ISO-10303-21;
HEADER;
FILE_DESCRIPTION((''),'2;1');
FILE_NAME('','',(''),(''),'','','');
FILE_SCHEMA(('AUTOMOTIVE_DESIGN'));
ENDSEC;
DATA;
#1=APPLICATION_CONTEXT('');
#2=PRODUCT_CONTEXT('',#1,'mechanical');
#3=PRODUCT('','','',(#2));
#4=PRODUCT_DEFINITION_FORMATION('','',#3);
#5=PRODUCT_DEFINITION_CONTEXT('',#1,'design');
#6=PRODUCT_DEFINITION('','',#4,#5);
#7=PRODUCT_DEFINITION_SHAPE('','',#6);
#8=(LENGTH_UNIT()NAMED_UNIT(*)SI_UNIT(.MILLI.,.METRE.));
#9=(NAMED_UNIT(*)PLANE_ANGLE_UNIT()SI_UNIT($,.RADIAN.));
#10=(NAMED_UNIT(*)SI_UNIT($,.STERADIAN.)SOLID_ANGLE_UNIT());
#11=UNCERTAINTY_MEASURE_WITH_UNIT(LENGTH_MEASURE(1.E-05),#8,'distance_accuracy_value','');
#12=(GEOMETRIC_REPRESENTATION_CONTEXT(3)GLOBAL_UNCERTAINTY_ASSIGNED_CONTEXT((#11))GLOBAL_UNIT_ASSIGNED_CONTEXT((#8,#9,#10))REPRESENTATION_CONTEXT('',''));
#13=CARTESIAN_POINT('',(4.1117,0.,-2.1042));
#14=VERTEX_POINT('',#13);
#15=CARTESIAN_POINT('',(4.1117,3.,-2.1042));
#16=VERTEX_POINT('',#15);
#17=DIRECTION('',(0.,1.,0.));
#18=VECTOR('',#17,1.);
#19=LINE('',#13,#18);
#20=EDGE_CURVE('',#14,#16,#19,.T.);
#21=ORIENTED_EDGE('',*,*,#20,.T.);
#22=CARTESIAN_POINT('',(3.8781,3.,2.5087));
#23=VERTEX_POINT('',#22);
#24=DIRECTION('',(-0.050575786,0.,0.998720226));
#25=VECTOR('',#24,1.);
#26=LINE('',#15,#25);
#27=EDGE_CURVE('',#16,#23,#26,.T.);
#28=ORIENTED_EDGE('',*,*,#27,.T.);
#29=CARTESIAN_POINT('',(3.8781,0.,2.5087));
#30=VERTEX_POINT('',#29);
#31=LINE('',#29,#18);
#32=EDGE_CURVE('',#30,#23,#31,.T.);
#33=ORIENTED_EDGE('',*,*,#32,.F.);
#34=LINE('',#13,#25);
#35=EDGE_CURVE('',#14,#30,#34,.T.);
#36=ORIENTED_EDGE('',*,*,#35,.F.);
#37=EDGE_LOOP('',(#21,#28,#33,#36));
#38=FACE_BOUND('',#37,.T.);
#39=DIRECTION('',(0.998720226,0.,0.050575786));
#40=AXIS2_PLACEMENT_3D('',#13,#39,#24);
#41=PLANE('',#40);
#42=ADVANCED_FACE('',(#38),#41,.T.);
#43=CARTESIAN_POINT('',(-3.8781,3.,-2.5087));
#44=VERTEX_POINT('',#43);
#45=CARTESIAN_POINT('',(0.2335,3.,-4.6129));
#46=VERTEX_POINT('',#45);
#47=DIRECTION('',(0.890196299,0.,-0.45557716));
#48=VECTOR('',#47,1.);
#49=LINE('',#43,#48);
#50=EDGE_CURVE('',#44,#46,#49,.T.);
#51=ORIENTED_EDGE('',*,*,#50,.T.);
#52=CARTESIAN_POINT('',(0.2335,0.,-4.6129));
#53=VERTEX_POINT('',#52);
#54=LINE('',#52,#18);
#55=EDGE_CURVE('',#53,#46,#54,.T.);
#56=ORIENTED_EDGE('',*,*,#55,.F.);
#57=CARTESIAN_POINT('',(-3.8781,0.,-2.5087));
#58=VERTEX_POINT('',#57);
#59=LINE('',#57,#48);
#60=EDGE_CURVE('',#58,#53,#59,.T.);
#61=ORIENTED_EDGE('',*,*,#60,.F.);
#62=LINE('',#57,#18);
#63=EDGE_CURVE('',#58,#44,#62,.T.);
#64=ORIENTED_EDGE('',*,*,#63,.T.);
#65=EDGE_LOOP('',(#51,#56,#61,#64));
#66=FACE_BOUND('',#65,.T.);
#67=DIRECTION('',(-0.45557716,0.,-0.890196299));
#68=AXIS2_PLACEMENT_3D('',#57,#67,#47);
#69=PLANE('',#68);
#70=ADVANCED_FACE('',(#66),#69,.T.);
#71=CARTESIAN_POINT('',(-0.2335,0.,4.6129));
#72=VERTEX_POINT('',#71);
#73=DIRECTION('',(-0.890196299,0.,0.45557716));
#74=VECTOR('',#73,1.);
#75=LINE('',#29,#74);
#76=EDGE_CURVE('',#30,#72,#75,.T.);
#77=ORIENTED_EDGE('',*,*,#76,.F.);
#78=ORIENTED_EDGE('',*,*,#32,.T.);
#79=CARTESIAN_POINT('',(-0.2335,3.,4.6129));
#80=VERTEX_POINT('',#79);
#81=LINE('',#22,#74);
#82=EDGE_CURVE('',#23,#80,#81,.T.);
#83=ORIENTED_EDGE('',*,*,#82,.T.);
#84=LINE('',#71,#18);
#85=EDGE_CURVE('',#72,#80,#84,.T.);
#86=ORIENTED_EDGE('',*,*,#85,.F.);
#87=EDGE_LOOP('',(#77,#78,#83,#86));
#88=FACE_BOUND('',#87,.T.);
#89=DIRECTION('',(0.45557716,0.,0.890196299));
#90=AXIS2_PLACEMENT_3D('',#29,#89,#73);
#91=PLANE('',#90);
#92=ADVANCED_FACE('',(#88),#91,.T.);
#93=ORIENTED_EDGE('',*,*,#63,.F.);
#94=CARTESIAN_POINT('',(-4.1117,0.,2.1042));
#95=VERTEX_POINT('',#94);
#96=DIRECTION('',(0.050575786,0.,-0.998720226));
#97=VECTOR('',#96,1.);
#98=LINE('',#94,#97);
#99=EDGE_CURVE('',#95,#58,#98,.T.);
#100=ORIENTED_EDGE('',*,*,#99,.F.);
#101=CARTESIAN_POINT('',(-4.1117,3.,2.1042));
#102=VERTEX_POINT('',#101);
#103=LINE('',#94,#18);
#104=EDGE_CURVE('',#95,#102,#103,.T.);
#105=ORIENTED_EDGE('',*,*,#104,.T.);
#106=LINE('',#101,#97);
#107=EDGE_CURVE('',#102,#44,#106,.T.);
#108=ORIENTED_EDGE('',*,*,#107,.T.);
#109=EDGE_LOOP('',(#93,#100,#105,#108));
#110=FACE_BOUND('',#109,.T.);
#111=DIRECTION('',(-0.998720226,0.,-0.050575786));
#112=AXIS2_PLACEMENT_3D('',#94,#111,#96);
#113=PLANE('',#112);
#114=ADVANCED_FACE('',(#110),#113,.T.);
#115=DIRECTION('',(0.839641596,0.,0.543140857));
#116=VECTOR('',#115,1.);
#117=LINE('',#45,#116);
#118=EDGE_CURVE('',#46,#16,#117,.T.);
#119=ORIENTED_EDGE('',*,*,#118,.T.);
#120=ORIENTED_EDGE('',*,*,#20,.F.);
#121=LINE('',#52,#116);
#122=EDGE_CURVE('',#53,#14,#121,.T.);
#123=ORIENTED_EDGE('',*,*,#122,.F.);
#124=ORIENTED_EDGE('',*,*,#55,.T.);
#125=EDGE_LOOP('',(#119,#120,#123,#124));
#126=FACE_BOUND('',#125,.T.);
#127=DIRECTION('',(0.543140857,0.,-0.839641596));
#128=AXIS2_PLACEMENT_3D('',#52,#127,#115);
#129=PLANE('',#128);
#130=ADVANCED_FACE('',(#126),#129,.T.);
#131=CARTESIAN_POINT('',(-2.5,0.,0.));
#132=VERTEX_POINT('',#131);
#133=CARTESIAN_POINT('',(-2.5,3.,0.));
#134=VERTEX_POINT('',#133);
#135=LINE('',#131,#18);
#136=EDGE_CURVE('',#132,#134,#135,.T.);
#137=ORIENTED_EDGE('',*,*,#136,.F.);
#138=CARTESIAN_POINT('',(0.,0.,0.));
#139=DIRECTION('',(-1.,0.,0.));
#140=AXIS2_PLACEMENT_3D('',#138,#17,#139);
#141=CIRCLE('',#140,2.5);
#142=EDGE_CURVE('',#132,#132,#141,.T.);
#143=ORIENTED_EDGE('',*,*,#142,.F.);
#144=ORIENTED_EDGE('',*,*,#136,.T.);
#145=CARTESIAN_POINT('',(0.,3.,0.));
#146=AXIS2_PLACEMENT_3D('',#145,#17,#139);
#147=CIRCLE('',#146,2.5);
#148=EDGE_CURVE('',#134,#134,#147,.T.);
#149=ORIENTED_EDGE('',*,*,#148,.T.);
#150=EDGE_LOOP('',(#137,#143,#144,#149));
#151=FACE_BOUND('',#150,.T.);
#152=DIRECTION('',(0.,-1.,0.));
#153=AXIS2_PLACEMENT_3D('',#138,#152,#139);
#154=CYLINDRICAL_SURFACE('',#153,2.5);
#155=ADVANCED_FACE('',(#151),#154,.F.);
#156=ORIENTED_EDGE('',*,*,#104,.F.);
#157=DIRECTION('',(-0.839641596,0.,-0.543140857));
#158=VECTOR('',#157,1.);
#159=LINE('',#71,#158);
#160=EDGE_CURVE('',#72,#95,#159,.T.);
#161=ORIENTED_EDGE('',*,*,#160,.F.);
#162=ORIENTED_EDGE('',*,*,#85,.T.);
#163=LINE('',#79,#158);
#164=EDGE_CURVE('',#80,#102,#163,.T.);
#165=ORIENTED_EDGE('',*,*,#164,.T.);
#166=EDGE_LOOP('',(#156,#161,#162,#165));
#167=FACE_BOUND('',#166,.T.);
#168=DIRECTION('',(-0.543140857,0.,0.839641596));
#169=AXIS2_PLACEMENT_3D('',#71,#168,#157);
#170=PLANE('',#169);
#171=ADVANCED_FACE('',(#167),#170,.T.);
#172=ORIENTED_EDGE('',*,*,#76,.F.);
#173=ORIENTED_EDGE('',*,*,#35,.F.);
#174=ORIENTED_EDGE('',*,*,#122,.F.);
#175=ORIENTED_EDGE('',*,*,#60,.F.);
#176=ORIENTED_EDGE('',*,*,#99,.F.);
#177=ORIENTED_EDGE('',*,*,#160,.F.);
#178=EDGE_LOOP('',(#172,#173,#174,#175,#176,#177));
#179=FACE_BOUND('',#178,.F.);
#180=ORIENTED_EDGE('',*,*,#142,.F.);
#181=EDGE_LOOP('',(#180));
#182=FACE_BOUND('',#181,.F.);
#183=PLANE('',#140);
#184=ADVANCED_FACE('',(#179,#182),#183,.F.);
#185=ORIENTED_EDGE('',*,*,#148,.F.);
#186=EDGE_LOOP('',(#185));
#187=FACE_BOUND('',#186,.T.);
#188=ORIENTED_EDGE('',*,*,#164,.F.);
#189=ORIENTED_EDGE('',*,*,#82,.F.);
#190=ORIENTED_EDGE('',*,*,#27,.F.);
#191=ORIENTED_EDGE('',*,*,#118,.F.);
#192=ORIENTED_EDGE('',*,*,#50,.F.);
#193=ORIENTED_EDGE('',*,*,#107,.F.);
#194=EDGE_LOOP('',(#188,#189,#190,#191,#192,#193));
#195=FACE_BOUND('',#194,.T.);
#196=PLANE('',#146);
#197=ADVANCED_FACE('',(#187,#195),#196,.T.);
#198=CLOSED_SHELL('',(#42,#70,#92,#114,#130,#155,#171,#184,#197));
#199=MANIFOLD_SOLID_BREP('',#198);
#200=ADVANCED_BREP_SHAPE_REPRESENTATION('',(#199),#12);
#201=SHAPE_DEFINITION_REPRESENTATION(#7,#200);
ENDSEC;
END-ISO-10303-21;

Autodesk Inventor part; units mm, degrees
ref_plane "YZ Plane" through (0, 0, 0) normal (1, 0, 0) x (0, 1, 0)
ref_plane "XZ Plane" through (0, 0, 0) normal (0, 1, 0) x (-1, 0, 0)
ref_plane "XY Plane" through (0, 0, 0) normal (0, 0, 1) x (1, 0, 0)
sketch "Sketch1" plane through (0, 0, 0) normal (0, 1, 0) x (-1, 0, 0)
  circle A0 centre (0, 0) radius 2.5
  line L0 (3.8781, -2.5087) -> (-0.2335, -4.6129)
  line L1 (-0.2335, -4.6129) -> (-4.1117, -2.1042)
  line L2 (-4.1117, -2.1042) -> (-3.8781, 2.5087)
  line L3 (-3.8781, 2.5087) -> (0.2335, 4.6129)
  line L4 (0.2335, 4.6129) -> (4.1117, 2.1042)
  line L5 (4.1117, 2.1042) -> (3.8781, -2.5087)
  dimension "d0" = 5
  dimension "d1" = 4
extrude "Extrusion1" add sketch "Sketch1" along normal blind 3
properties part number "oc5mm"
